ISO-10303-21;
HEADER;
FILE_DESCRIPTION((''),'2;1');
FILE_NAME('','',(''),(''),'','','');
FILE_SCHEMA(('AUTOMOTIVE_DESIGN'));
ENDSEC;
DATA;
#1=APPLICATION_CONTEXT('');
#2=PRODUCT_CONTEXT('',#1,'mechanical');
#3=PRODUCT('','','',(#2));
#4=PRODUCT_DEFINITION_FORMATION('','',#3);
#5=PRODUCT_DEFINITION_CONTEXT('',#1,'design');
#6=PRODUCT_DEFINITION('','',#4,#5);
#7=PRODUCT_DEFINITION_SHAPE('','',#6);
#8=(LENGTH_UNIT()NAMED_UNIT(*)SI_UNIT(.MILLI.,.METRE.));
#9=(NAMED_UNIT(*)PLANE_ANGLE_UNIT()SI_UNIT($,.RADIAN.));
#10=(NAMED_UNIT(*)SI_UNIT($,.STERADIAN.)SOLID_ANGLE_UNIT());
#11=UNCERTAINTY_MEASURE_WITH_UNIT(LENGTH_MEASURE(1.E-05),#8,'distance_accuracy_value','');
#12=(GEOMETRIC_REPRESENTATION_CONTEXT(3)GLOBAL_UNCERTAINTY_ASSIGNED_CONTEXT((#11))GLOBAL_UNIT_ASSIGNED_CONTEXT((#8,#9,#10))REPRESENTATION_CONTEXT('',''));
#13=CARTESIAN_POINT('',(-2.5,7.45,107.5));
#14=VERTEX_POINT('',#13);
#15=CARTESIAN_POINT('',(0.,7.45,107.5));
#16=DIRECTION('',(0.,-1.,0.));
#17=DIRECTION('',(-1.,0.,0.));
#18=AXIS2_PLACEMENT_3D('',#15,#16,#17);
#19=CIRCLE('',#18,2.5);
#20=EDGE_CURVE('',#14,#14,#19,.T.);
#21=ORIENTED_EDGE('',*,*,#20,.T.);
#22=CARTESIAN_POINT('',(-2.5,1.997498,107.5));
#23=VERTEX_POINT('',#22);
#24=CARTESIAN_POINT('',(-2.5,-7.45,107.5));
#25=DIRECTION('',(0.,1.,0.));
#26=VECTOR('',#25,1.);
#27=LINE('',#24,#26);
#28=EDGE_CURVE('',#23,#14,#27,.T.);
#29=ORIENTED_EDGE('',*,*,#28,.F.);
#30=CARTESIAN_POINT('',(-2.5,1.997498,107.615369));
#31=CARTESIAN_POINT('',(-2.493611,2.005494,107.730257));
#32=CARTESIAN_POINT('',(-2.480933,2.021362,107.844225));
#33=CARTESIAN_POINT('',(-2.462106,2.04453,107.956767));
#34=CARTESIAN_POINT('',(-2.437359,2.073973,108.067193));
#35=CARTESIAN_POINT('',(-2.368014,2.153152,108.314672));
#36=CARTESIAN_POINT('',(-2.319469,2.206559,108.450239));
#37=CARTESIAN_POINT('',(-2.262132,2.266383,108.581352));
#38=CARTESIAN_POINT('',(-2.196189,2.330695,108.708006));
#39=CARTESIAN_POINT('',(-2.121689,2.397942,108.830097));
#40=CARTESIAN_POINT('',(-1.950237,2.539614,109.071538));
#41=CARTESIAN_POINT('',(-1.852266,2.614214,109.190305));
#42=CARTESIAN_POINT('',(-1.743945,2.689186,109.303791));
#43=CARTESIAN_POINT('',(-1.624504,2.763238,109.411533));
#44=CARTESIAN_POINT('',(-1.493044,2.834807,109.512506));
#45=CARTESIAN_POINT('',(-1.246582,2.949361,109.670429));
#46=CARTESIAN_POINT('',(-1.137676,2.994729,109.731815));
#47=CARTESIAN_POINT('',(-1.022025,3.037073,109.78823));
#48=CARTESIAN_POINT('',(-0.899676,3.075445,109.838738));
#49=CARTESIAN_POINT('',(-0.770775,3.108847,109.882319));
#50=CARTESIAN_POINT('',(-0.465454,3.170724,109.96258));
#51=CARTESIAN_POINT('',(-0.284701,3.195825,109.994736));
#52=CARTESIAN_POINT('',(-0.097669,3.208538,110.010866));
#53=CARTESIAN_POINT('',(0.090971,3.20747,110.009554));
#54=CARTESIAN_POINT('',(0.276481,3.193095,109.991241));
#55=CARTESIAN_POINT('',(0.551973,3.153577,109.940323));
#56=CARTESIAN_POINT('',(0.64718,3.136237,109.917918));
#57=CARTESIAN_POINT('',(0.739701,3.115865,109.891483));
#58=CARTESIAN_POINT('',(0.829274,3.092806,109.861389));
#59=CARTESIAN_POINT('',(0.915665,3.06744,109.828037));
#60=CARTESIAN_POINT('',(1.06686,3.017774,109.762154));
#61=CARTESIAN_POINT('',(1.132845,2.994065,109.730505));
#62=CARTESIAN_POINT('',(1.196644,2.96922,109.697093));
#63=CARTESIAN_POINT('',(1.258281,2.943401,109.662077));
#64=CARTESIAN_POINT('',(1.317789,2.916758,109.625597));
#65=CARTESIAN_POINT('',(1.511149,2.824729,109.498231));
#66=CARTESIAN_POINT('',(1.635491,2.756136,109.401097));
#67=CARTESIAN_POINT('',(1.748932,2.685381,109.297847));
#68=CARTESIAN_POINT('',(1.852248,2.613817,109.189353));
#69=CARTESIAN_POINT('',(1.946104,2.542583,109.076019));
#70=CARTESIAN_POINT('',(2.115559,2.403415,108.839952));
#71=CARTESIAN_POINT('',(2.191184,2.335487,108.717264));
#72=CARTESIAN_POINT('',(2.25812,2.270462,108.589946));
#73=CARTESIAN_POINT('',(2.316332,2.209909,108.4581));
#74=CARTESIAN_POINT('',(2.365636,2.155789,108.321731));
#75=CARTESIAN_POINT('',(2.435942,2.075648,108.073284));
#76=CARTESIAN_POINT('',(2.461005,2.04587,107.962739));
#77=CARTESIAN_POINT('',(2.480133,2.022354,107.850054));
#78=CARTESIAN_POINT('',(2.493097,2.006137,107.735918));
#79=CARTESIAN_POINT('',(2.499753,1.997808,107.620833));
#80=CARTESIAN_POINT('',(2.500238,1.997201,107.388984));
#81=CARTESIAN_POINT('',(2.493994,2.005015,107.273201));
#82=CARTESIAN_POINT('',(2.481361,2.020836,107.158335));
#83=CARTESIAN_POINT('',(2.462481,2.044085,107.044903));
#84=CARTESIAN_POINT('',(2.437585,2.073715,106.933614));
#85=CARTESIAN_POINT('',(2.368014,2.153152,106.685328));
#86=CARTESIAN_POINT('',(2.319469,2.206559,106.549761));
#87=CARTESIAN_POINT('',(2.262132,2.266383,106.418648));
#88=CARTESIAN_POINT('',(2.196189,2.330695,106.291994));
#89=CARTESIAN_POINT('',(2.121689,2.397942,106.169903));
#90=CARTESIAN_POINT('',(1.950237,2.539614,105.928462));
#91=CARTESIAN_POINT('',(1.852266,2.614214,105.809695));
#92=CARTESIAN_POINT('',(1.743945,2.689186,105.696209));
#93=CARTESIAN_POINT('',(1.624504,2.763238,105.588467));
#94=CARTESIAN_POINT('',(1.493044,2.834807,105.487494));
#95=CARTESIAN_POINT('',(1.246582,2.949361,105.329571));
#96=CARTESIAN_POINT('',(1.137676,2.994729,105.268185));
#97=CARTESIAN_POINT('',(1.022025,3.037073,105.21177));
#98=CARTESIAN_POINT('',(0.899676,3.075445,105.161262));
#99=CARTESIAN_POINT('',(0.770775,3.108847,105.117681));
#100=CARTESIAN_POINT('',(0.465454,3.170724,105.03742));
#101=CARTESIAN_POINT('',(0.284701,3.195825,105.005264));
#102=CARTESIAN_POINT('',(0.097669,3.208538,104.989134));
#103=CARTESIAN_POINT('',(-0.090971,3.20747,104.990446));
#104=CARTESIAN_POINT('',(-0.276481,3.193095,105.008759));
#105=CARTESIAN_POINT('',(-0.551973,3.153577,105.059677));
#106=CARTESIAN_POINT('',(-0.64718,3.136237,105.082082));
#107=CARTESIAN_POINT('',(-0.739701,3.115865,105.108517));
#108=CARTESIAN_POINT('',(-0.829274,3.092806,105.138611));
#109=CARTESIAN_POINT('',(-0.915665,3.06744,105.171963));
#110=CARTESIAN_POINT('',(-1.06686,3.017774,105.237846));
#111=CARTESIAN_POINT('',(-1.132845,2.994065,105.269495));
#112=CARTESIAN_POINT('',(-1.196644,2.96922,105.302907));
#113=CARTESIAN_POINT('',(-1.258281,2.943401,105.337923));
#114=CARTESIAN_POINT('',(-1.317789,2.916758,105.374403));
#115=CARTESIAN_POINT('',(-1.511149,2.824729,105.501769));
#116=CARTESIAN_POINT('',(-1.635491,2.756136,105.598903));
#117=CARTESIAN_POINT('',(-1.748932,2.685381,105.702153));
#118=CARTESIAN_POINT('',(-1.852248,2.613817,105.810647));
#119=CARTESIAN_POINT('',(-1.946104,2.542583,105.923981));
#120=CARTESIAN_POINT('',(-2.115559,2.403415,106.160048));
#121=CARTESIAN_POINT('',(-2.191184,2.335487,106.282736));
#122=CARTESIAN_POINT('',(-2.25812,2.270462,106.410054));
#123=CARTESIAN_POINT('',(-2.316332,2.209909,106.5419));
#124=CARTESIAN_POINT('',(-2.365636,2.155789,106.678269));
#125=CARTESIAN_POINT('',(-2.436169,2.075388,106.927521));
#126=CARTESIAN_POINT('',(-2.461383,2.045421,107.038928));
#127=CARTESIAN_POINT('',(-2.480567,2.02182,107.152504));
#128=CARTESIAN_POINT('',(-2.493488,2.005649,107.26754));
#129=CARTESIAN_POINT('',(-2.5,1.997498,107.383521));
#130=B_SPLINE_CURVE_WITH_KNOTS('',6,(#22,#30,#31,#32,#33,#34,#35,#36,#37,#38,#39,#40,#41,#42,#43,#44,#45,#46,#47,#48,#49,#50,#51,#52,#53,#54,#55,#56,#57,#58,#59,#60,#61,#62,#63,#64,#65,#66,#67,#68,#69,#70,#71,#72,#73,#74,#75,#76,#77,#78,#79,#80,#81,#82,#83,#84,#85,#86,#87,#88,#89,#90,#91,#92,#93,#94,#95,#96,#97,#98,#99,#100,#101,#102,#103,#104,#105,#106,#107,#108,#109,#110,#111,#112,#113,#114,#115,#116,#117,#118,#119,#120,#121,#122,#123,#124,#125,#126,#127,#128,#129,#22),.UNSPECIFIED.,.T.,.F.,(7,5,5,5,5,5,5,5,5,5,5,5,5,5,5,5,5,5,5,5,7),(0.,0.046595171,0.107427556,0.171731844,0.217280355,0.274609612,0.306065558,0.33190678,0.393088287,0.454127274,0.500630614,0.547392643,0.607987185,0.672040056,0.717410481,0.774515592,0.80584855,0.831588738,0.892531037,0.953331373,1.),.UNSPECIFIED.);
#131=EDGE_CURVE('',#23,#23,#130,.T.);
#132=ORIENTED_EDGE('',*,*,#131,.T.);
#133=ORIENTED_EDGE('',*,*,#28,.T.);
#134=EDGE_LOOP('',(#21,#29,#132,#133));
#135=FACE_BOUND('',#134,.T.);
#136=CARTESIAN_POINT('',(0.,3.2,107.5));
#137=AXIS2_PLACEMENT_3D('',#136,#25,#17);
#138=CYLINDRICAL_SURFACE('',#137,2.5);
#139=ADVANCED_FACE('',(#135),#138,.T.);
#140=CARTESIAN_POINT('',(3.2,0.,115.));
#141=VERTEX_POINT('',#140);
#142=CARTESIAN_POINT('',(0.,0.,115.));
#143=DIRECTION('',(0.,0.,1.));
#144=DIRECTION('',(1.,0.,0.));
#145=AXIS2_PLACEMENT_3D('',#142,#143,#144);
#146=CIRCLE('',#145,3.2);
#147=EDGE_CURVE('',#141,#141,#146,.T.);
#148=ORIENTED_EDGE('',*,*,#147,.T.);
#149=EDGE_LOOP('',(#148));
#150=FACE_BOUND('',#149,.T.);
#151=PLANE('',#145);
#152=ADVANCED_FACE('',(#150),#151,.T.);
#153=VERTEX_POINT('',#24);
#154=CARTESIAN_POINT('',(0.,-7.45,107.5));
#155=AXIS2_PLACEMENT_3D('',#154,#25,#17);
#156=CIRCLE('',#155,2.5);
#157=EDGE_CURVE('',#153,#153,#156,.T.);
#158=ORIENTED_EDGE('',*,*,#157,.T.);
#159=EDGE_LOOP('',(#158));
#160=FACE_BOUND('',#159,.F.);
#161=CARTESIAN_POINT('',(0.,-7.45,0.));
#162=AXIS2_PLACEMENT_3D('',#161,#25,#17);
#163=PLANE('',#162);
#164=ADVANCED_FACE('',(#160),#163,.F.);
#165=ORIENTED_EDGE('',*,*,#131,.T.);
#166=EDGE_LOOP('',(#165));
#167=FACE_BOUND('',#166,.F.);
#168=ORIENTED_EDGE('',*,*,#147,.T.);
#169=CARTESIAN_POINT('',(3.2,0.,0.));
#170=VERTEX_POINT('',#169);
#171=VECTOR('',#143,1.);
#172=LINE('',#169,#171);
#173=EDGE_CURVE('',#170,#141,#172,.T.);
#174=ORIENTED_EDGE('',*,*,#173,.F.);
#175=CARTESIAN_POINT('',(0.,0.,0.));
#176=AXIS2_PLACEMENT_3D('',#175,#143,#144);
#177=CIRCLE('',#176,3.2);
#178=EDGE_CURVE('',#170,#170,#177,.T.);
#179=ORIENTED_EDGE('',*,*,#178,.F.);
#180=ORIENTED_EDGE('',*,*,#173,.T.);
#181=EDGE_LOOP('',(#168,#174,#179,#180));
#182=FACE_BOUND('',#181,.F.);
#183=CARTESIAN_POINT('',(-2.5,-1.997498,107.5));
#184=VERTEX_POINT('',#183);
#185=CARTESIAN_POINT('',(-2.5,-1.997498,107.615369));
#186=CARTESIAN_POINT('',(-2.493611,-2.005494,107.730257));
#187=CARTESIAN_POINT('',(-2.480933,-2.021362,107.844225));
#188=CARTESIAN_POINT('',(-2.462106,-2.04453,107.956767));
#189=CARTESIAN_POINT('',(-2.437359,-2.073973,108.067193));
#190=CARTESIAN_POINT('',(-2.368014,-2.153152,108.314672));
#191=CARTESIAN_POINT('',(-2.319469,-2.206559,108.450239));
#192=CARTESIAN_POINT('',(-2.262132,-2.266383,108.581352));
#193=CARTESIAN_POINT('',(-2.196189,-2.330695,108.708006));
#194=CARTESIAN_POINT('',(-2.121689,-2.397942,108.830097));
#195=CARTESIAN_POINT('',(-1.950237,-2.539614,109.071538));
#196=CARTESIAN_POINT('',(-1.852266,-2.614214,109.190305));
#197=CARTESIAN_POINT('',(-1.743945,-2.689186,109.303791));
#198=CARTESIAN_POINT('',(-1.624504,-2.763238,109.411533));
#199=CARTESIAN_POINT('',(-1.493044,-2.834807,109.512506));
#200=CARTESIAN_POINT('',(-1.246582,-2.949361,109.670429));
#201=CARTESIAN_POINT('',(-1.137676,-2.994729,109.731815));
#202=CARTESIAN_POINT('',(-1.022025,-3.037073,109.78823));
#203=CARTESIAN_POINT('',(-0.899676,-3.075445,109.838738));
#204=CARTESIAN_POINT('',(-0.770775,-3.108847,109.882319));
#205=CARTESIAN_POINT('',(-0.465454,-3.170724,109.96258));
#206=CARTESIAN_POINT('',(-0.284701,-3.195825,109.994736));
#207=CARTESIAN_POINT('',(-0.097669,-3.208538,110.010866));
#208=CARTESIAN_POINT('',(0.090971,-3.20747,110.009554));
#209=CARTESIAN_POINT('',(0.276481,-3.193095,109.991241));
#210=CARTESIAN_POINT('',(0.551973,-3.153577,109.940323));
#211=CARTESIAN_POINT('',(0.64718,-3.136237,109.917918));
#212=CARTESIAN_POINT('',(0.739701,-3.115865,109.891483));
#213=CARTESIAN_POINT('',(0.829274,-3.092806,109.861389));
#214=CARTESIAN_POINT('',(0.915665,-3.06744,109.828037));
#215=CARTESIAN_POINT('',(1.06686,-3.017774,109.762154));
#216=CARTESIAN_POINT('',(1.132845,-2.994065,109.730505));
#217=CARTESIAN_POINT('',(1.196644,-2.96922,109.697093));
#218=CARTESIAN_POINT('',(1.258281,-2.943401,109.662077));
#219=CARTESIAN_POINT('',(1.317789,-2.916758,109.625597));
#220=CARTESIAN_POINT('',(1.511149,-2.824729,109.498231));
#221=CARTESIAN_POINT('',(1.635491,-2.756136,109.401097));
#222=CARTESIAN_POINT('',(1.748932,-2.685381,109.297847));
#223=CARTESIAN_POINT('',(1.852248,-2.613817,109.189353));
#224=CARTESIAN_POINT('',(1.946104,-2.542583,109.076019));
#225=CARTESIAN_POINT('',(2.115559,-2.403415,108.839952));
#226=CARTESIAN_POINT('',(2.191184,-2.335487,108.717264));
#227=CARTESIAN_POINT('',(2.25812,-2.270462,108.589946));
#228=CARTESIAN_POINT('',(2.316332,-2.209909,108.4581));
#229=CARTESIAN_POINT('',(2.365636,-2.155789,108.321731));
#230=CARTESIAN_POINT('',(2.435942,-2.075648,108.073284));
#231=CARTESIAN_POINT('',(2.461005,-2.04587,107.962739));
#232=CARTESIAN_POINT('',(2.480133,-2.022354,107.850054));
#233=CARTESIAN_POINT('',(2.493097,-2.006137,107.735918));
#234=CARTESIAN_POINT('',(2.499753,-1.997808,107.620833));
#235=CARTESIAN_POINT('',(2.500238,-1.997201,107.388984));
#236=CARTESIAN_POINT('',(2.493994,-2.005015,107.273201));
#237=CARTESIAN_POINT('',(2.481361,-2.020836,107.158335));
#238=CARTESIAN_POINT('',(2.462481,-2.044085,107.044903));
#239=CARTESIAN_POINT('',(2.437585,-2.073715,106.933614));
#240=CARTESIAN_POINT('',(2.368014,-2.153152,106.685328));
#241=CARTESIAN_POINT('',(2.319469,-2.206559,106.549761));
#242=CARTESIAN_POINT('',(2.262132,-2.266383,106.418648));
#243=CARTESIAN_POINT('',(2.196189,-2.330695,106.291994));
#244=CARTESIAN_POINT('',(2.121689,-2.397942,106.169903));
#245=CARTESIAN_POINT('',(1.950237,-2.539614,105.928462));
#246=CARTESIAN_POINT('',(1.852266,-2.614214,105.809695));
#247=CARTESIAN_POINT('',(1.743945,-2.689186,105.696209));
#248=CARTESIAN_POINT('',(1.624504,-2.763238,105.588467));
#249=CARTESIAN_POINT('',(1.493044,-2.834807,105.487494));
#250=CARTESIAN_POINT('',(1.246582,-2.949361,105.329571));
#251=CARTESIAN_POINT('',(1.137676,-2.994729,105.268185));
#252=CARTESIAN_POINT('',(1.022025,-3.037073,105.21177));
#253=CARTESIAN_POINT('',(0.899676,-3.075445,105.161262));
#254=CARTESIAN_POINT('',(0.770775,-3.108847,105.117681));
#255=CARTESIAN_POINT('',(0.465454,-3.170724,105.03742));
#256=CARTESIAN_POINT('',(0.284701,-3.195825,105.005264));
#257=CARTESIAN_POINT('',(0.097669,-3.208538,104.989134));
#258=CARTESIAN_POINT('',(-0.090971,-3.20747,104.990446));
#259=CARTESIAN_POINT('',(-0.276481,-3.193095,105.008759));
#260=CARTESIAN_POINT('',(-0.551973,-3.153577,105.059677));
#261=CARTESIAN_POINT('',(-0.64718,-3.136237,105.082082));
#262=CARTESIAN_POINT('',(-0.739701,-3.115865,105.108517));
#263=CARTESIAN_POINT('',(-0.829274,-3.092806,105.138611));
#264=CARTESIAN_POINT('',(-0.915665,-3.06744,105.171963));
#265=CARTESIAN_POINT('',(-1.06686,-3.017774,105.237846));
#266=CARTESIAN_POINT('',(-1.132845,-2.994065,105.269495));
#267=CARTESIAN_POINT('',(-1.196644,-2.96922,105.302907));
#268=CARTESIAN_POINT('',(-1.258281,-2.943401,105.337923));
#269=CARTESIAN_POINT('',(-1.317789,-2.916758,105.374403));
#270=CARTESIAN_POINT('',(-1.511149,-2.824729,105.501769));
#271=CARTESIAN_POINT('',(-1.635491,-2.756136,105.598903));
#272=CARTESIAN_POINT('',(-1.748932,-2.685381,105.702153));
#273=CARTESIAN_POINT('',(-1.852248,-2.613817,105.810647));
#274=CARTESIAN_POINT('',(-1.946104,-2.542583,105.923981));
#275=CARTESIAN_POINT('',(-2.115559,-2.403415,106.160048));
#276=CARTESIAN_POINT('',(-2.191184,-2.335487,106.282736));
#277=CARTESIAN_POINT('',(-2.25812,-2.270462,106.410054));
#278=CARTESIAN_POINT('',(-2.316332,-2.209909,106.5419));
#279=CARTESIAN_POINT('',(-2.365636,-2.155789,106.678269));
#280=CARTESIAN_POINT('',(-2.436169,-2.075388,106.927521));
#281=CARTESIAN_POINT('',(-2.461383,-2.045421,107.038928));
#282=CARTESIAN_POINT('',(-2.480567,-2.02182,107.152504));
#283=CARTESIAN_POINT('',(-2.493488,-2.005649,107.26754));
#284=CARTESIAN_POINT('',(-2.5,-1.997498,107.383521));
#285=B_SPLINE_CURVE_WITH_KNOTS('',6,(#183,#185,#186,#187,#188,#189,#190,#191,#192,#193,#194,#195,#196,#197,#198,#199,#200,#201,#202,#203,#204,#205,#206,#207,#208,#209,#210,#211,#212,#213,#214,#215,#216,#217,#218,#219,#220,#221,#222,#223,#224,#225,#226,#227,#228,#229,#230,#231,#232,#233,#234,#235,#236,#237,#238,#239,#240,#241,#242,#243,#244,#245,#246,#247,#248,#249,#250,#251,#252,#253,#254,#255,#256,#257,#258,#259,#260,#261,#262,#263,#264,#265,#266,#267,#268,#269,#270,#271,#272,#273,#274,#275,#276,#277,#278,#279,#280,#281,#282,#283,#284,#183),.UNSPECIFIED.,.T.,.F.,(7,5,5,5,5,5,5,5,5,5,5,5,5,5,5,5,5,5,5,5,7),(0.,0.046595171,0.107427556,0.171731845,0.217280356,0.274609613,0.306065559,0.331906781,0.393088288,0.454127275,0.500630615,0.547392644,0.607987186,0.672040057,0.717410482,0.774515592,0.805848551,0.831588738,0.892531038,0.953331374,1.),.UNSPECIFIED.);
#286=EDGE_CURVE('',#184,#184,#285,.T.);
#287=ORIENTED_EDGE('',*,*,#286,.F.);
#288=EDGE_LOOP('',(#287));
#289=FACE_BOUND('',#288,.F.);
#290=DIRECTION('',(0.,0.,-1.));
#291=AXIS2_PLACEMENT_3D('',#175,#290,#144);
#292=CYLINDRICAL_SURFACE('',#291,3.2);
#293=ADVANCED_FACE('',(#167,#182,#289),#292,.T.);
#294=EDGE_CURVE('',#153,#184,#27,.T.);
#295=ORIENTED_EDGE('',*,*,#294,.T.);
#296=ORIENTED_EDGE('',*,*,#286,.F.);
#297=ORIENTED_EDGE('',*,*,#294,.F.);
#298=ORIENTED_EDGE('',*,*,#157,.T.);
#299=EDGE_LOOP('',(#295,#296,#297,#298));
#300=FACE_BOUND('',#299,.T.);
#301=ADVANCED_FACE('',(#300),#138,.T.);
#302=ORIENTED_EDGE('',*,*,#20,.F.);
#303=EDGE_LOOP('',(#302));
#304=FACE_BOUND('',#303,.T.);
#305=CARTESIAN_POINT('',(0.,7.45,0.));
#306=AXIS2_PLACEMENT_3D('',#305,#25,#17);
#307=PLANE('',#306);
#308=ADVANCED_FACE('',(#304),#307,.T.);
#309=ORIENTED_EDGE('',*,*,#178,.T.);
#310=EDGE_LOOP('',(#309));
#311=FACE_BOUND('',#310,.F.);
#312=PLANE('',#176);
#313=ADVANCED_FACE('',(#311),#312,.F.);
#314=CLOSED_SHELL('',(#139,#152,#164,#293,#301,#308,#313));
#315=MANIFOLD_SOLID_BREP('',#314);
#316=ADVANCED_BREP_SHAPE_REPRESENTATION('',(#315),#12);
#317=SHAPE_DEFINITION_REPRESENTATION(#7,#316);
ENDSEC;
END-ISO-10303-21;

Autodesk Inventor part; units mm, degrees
ref_plane "YZ Plane" through (0, 0, 0) normal (1, 0, 0) x (0, 1, 0)
ref_plane "XY Plane" through (0, 0, 0) normal (0, 0, 1) x (1, 0, 0)
sketch "Sketch1" plane through (0, 0, 0) normal (0, 0, 1) x (1, 0, 0)
  circle A0 centre (0, 0) radius 3.2
  dimension "d0" = 6.4
extrude "Extrusion1" add sketch "Sketch1" along normal blind 115
ref_plane "Work Plane1" through (0, 3.2, 0) normal (0, 1, 0) x (-1, 0, 0)
sketch "Sketch2" plane through (0, 3.2, 0) normal (0, 1, 0) x (-1, 0, 0)
  line L0 (0, -23) -> (0, 138) projected
  circle A0 centre (0, 107.5) radius 2.5
  line L1 (3.2, 115) -> (-3.2, 115) projected
  point P0 (0, 0)
  dimension "d11" = 5
  dimension "d12" = 7.5
extrude "Extrusion2" add sketch "Sketch2" along normal blind 4.25 and the other way blind 10.65
properties part number "Handle"
